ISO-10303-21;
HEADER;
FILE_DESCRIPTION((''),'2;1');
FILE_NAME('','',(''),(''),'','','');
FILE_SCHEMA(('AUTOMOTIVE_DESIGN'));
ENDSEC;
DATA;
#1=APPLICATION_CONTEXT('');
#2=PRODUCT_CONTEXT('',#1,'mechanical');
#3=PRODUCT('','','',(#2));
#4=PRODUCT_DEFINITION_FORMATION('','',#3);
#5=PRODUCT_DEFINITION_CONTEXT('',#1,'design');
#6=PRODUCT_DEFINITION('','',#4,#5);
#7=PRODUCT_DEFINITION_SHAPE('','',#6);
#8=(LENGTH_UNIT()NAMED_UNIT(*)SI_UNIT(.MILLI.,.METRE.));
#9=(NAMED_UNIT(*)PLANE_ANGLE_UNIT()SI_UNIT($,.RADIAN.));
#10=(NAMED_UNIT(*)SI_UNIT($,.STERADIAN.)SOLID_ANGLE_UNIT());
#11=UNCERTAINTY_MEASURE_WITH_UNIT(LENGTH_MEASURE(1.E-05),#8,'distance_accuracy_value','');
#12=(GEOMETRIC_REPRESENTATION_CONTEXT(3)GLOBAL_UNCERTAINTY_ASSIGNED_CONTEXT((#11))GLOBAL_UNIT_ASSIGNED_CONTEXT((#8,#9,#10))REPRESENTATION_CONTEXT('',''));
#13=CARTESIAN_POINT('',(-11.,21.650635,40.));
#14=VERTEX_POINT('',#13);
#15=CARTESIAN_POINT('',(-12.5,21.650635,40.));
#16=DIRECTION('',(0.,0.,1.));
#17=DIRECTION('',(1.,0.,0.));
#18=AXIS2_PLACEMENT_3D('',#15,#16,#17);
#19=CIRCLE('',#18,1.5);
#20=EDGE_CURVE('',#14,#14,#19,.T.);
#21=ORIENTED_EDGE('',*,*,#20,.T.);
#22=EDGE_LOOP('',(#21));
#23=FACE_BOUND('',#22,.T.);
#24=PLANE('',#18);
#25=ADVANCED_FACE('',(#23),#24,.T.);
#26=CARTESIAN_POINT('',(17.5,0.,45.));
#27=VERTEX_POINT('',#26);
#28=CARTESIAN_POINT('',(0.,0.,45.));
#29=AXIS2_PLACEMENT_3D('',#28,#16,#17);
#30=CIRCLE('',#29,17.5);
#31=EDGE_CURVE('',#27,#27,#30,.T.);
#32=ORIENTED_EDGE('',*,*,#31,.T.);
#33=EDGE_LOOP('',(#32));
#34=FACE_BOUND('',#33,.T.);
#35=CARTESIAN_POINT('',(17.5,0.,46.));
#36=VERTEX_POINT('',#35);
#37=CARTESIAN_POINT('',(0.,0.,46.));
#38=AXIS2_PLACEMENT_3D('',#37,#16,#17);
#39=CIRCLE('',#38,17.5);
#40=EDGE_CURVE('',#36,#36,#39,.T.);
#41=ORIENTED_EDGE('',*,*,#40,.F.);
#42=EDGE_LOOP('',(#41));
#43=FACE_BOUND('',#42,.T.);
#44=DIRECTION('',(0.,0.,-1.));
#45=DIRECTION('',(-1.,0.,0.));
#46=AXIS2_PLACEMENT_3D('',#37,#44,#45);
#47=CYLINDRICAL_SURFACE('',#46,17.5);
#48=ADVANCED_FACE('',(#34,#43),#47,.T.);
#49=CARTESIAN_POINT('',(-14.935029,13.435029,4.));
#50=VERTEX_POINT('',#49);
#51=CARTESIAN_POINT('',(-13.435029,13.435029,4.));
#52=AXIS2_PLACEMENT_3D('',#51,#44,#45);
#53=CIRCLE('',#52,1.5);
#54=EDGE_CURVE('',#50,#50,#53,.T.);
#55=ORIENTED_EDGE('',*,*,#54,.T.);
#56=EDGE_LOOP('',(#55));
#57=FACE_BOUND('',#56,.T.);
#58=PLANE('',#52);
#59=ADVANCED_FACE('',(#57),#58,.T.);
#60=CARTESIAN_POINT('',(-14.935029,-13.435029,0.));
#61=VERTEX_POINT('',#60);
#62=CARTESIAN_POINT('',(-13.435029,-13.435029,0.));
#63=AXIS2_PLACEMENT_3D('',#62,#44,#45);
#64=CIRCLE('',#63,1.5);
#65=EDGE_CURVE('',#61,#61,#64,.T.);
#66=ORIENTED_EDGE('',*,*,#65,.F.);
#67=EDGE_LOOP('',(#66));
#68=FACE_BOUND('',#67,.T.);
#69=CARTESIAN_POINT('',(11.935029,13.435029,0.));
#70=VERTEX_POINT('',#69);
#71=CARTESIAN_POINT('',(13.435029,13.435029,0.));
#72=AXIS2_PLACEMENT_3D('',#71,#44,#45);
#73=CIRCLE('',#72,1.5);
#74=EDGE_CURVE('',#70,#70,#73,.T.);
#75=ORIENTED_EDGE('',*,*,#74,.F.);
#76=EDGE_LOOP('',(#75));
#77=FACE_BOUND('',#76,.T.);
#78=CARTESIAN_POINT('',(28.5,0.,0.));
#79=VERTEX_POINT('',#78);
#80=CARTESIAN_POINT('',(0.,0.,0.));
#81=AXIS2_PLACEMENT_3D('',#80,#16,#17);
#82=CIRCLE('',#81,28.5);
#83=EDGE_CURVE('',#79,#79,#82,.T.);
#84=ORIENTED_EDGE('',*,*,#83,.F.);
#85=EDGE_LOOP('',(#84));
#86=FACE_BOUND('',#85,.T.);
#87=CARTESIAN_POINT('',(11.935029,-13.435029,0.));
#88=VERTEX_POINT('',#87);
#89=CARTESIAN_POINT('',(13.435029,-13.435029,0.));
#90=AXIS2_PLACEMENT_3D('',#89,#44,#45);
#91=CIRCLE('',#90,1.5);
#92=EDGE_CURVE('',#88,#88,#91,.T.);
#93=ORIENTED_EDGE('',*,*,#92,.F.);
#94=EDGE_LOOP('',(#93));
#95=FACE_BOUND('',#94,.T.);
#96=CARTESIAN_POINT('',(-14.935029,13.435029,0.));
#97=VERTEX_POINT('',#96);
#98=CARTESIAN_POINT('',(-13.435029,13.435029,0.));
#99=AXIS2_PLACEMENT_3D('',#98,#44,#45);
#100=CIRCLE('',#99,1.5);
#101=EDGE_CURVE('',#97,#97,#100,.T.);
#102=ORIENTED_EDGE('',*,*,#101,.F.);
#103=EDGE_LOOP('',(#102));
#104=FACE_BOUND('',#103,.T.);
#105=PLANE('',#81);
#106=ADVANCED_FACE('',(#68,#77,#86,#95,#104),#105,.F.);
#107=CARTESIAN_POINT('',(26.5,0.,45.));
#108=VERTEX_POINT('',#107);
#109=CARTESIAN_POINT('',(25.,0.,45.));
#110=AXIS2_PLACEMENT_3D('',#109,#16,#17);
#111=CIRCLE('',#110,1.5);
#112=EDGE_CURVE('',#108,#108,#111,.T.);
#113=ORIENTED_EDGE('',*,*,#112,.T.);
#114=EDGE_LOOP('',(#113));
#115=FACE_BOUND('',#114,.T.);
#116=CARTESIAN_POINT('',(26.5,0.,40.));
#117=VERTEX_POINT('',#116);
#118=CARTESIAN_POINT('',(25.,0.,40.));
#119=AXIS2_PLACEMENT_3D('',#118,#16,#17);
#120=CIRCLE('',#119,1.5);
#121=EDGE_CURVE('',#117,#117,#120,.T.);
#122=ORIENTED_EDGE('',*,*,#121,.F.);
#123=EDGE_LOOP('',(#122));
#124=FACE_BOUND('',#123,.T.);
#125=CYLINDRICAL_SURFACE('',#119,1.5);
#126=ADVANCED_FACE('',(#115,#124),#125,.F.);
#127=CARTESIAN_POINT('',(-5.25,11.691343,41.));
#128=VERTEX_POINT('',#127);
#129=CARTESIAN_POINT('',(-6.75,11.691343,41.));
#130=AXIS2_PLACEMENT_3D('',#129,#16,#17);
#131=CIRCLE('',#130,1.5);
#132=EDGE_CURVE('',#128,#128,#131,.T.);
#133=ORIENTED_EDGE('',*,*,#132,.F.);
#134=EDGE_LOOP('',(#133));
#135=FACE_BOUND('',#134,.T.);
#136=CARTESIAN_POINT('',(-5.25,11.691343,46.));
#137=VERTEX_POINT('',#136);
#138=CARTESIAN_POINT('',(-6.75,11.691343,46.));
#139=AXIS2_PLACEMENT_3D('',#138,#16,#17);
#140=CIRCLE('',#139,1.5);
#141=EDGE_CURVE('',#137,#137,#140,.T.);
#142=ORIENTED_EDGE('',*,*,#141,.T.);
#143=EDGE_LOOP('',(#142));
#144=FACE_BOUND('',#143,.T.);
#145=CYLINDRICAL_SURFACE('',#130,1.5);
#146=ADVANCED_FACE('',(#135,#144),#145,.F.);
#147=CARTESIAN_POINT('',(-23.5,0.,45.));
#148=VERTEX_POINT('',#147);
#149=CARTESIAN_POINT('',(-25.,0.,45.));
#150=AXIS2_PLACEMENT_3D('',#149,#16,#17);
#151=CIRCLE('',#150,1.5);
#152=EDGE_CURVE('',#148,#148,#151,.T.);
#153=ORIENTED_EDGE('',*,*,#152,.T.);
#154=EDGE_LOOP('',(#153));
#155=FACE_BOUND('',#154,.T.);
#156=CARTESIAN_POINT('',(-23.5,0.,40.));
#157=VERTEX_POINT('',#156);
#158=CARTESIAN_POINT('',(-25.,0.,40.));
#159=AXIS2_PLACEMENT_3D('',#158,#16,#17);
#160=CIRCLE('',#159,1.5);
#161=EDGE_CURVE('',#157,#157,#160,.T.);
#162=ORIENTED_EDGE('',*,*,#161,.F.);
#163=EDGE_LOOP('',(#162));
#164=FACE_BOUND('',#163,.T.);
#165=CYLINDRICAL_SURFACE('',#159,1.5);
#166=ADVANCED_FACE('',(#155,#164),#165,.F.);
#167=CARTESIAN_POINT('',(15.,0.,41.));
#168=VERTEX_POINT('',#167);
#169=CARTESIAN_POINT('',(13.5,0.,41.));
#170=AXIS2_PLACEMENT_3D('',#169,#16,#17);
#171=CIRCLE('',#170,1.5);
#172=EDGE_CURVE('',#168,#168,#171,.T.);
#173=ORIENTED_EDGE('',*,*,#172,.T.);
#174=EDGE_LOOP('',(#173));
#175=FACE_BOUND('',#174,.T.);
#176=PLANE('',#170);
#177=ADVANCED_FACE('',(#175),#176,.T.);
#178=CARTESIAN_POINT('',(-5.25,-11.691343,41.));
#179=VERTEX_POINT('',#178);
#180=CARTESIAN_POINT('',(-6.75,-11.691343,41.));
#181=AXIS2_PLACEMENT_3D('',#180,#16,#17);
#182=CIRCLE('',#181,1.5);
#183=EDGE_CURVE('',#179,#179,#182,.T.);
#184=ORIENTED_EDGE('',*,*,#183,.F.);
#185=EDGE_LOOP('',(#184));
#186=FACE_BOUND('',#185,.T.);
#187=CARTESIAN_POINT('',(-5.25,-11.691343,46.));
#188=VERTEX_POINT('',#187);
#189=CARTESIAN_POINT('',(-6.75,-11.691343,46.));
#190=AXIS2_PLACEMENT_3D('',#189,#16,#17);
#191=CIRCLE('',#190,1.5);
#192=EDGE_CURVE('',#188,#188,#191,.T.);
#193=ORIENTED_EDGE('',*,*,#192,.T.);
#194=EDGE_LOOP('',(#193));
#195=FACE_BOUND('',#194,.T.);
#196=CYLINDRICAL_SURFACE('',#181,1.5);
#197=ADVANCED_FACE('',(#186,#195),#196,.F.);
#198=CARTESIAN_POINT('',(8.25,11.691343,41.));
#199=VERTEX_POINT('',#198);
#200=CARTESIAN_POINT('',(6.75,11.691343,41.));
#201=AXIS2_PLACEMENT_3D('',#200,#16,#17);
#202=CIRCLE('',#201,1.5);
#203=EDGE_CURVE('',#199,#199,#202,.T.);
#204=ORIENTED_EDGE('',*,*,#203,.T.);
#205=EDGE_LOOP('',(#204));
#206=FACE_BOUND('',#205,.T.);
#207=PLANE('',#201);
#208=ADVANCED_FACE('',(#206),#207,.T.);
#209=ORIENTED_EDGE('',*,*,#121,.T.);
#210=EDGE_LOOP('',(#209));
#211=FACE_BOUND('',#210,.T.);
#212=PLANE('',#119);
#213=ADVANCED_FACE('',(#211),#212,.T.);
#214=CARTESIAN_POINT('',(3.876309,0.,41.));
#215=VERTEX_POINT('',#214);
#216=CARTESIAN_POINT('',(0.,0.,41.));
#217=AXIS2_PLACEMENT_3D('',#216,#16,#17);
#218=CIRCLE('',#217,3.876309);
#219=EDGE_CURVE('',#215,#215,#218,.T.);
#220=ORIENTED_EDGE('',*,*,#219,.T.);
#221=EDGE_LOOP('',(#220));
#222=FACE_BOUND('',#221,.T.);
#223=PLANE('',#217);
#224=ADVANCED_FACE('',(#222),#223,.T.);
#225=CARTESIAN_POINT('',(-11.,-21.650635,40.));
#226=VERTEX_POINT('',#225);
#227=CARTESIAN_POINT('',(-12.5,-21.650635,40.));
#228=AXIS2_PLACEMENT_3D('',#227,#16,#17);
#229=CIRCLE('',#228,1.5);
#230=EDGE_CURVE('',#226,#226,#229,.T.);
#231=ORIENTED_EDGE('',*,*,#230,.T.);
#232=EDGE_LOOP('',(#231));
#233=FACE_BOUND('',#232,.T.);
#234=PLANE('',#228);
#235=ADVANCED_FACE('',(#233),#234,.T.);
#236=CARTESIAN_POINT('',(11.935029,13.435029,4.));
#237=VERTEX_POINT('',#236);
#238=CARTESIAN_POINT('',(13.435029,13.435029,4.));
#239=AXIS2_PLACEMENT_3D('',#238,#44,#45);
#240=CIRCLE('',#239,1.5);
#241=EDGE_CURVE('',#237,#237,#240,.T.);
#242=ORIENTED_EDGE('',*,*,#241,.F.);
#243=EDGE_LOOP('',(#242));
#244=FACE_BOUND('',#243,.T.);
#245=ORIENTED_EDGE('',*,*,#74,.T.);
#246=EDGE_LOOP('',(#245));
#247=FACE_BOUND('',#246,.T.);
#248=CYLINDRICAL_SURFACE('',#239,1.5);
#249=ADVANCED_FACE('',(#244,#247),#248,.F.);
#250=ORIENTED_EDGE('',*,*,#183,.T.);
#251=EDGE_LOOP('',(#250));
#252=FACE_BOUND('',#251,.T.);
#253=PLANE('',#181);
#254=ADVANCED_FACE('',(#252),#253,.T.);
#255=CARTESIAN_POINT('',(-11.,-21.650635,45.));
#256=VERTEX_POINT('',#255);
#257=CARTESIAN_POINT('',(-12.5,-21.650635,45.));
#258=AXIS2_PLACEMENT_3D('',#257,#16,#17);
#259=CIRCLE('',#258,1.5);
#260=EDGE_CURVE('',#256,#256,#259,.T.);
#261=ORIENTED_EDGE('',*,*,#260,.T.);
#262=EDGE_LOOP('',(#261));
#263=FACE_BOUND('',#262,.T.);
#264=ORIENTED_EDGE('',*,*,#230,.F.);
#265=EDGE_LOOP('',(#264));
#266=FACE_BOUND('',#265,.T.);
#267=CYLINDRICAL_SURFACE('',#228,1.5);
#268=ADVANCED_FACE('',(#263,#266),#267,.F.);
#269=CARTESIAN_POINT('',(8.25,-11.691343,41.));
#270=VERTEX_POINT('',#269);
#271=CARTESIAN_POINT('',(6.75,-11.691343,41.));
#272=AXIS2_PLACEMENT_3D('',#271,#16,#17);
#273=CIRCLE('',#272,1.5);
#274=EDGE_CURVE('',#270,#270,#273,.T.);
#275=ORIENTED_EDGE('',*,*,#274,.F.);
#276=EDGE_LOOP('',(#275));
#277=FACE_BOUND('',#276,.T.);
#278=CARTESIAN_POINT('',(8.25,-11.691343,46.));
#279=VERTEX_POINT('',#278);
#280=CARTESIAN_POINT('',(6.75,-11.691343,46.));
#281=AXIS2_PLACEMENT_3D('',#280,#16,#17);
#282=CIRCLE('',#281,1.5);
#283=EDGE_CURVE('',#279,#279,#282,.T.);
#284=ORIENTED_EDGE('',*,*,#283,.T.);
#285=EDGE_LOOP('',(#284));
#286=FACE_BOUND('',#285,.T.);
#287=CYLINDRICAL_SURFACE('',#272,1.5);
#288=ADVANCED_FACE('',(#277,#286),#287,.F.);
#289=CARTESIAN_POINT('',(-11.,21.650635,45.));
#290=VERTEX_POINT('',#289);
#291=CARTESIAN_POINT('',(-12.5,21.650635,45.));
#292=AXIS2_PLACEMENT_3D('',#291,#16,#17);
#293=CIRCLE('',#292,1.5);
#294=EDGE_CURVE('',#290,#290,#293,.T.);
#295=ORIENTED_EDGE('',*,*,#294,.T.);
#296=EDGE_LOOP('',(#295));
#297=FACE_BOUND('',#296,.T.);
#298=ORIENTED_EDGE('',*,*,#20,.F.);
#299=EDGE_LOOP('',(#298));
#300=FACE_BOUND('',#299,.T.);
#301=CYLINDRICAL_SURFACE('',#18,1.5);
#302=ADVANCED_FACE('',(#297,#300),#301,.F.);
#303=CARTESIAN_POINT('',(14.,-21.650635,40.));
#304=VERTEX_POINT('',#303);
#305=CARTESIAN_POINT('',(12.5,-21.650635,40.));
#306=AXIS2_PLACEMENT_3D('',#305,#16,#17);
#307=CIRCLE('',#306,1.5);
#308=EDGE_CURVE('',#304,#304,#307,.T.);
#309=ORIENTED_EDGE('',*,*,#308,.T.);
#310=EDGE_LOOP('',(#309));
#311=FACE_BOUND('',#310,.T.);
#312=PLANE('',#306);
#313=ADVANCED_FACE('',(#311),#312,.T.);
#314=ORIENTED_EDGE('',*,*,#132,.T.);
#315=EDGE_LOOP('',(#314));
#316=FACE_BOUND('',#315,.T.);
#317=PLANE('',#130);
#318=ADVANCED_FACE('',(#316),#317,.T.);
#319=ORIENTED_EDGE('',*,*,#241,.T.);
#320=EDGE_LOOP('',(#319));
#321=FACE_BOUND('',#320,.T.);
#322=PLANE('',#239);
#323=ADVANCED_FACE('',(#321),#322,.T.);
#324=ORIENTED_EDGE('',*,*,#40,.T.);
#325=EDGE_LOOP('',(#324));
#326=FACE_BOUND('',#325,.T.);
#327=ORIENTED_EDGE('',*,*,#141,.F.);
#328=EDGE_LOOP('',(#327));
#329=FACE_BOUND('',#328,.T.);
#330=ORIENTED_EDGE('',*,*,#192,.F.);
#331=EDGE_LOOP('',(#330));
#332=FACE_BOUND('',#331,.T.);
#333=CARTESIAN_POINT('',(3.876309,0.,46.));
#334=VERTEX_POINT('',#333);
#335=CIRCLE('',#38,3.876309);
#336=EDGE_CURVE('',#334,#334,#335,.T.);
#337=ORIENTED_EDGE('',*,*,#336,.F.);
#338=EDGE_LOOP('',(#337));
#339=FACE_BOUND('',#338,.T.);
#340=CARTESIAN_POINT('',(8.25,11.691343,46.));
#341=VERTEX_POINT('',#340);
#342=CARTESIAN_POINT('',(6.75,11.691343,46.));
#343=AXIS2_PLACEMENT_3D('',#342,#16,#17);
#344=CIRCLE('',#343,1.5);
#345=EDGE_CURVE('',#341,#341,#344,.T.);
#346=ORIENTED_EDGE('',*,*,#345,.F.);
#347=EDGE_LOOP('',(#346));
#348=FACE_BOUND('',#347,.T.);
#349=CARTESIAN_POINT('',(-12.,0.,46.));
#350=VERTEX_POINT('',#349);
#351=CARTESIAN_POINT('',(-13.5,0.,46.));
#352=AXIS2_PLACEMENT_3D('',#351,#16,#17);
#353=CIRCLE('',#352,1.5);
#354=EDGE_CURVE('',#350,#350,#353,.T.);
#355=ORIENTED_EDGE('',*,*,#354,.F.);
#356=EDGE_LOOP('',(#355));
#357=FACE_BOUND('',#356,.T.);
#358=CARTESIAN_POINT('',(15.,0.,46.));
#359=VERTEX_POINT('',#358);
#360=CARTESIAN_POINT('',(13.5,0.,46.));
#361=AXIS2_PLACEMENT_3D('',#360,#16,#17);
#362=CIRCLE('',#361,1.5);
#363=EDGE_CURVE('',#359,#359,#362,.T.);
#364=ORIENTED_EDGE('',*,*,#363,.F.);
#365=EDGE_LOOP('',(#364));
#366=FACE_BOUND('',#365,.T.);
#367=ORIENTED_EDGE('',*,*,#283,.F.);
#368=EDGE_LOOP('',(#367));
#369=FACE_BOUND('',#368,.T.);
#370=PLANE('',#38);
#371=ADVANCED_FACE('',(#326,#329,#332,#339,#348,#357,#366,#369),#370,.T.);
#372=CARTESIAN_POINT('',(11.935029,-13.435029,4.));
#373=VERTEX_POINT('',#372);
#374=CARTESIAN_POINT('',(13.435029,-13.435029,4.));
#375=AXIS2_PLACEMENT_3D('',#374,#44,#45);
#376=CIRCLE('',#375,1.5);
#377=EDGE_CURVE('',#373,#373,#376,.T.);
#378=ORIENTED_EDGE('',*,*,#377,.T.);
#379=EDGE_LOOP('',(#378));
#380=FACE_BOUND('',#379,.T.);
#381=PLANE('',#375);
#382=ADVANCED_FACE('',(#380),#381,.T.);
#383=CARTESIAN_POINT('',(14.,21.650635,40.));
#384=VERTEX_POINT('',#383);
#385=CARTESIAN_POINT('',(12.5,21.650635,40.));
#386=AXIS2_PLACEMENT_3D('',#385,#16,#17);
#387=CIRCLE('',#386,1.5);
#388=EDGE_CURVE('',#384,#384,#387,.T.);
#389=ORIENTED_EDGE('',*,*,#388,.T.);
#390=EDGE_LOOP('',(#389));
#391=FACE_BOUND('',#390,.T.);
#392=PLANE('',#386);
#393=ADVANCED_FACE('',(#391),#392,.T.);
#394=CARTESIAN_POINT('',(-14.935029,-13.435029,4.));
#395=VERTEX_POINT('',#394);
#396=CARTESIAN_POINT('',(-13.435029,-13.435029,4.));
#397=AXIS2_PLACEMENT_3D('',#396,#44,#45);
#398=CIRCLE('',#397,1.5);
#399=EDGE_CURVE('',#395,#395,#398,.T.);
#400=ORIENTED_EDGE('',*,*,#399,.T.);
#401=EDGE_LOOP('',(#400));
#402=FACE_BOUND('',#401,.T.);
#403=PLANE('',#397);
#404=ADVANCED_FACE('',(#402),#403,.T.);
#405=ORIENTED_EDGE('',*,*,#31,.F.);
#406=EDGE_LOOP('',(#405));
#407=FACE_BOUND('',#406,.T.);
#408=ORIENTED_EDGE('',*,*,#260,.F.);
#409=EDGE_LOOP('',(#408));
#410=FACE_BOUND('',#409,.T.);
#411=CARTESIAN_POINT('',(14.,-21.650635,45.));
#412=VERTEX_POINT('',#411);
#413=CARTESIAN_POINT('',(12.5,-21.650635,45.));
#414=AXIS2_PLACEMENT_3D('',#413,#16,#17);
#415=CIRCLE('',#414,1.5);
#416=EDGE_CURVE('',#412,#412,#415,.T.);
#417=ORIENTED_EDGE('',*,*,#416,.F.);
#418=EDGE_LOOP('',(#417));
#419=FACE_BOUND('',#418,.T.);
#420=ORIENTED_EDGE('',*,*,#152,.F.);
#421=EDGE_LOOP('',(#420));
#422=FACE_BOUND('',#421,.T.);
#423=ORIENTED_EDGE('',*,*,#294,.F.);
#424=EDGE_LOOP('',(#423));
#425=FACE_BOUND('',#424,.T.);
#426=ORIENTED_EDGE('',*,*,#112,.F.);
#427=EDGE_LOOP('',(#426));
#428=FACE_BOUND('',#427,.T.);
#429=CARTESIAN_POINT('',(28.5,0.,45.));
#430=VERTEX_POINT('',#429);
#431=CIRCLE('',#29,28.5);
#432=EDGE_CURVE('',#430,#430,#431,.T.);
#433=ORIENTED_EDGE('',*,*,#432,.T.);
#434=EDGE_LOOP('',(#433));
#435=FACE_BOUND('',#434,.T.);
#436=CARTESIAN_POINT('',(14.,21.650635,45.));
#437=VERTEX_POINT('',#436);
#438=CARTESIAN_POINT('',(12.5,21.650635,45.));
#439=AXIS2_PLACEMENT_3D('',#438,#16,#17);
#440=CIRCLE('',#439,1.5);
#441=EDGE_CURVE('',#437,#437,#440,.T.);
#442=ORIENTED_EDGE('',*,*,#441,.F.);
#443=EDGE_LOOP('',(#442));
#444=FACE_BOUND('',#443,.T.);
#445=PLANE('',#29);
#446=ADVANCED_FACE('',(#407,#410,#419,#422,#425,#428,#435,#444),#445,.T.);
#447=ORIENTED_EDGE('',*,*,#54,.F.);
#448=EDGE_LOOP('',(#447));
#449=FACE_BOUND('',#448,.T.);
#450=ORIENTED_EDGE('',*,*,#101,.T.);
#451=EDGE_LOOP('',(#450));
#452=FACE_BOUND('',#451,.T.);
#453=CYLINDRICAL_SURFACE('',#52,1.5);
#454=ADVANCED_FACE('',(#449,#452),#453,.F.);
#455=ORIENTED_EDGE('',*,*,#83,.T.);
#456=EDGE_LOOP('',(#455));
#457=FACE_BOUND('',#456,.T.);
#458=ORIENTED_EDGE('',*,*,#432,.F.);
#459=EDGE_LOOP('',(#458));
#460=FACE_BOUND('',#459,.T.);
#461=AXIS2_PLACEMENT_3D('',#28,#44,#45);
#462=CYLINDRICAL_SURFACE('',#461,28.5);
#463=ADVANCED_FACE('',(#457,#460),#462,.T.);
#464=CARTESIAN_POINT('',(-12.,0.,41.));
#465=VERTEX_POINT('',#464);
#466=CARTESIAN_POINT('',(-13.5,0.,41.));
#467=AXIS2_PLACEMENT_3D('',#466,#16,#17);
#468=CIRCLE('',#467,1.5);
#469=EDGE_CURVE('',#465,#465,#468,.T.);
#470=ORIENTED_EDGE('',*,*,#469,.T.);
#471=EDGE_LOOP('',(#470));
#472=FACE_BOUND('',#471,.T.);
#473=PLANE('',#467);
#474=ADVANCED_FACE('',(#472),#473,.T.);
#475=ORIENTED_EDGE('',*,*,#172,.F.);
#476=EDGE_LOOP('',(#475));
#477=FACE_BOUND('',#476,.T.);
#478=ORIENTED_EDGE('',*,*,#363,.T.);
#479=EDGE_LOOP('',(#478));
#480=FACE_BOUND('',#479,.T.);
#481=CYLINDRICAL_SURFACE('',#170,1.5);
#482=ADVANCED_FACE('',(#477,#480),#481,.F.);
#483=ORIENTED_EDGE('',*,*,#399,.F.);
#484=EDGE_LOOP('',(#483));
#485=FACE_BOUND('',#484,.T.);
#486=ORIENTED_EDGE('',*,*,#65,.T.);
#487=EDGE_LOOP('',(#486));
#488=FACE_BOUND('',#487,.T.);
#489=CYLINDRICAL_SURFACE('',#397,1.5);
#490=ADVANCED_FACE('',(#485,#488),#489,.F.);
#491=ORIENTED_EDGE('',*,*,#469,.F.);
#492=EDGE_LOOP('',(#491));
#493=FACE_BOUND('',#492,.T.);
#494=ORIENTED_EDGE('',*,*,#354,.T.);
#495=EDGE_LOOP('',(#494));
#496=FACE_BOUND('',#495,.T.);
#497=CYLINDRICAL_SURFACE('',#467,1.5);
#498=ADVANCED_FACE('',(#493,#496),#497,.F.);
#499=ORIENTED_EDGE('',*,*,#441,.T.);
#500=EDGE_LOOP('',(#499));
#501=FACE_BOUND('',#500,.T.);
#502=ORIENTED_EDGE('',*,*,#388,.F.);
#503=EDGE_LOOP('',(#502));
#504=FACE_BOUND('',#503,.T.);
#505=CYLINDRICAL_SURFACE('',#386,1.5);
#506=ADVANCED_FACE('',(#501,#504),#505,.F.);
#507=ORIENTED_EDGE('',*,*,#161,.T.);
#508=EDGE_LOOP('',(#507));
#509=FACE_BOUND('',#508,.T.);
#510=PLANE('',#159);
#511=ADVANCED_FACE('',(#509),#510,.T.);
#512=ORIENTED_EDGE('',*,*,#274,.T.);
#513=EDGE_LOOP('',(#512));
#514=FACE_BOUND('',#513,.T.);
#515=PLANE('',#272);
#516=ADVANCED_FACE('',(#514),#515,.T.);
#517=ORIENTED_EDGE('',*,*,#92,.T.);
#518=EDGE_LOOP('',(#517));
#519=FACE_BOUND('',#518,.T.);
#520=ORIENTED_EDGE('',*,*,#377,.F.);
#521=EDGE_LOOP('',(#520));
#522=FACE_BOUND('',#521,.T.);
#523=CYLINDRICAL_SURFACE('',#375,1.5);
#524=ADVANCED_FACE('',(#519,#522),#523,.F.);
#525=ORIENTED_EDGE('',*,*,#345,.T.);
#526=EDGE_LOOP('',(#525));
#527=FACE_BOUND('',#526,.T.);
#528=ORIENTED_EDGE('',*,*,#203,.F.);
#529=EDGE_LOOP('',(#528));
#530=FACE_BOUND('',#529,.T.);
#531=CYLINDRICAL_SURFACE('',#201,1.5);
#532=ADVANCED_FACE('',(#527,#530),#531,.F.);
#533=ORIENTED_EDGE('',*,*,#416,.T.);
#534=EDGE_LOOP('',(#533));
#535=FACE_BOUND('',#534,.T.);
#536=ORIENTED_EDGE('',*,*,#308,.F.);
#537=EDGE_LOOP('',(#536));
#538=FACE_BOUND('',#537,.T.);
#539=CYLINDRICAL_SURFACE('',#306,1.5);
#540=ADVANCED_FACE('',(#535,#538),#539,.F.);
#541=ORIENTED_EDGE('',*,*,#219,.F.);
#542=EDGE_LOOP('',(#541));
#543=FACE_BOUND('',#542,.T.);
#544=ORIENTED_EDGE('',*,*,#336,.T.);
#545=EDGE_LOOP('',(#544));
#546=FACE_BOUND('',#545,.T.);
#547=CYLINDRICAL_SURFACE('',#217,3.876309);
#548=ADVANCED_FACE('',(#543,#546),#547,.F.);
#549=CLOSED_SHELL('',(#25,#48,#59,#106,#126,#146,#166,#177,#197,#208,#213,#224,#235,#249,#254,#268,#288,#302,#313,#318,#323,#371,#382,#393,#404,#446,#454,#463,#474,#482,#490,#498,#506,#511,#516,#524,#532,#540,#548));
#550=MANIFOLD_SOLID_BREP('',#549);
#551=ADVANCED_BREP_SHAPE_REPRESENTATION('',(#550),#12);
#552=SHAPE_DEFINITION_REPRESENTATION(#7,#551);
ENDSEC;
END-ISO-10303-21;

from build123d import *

# Parameters (mm, degrees)
SKETCH_1_R          = 28.5
EXTRUDE_1_DEPTH     = 45
SKETCH_2_R          = 1.5
CUT_EXTRUDE_1_DEPTH = 4
SKETCH_3_R          = 1.5
CUT_EXTRUDE_2_DEPTH = 5
SKETCH_4_R          = 17.5
EXTRUDE_2_DEPTH     = 1
SKETCH_5_R          = 1.5
SKETCH_5_R_2        = 3.876309497
CUT_EXTRUDE_3_DEPTH = 5


with BuildPart() as part:
    # 草图1 → 凸台-拉伸1 (new body)
    with BuildSketch(Plane.XY):
        Circle(SKETCH_1_R)
    extrude(amount=EXTRUDE_1_DEPTH)

    # 草图2 → 切除-拉伸1 (cut)
    with BuildSketch(Plane(origin=(0, 0, 0), x_dir=(-1, 0, 0), z_dir=(0, 0, -1))):
        with Locations((13.435028843, -13.435028843)):
            Circle(SKETCH_2_R)
        with Locations((-13.435028843, -13.435028843)):
            Circle(SKETCH_2_R)
        with Locations((-13.435028843, 13.435028843)):
            Circle(SKETCH_2_R)
        with Locations((13.435028843, 13.435028843)):
            Circle(SKETCH_2_R)
    extrude(amount=-CUT_EXTRUDE_1_DEPTH, mode=Mode.SUBTRACT)

    # 草图3 → 切除-拉伸2 (cut)
    with BuildSketch(Plane.XY.offset(45)):
        with Locations((-12.5, -21.650635095)):
            Circle(SKETCH_3_R)
        with Locations((-12.5, 21.650635095)):
            Circle(SKETCH_3_R)
        with Locations((12.5, 21.650635095)):
            Circle(SKETCH_3_R)
        with Locations((12.5, -21.650635095)):
            Circle(SKETCH_3_R)
        with Locations((-25, 0)):
            Circle(SKETCH_3_R)
        with Locations((25, 0)):
            Circle(SKETCH_3_R)
    extrude(amount=-CUT_EXTRUDE_2_DEPTH, mode=Mode.SUBTRACT)

    # 草图4 → 凸台-拉伸2 (add)
    with BuildSketch(Plane.XY.offset(45)):
        Circle(SKETCH_4_R)
    extrude(amount=EXTRUDE_2_DEPTH)

    # 草图5 → 切除-拉伸3 (cut)
    with BuildSketch(Plane.XY.offset(46)):
        with Locations((13.5, 0)):
            Circle(SKETCH_5_R)
        with Locations((-13.5, 0)):
            Circle(SKETCH_5_R)
        with Locations((6.75, 11.691342951)):
            Circle(SKETCH_5_R)
        with Locations((-6.75, 11.691342951)):
            Circle(SKETCH_5_R)
        with Locations((-6.75, -11.691342951)):
            Circle(SKETCH_5_R)
        with Locations((6.75, -11.691342951)):
            Circle(SKETCH_5_R)
        Circle(SKETCH_5_R_2)
    extrude(amount=-CUT_EXTRUDE_3_DEPTH, mode=Mode.SUBTRACT)


solid = part.part
